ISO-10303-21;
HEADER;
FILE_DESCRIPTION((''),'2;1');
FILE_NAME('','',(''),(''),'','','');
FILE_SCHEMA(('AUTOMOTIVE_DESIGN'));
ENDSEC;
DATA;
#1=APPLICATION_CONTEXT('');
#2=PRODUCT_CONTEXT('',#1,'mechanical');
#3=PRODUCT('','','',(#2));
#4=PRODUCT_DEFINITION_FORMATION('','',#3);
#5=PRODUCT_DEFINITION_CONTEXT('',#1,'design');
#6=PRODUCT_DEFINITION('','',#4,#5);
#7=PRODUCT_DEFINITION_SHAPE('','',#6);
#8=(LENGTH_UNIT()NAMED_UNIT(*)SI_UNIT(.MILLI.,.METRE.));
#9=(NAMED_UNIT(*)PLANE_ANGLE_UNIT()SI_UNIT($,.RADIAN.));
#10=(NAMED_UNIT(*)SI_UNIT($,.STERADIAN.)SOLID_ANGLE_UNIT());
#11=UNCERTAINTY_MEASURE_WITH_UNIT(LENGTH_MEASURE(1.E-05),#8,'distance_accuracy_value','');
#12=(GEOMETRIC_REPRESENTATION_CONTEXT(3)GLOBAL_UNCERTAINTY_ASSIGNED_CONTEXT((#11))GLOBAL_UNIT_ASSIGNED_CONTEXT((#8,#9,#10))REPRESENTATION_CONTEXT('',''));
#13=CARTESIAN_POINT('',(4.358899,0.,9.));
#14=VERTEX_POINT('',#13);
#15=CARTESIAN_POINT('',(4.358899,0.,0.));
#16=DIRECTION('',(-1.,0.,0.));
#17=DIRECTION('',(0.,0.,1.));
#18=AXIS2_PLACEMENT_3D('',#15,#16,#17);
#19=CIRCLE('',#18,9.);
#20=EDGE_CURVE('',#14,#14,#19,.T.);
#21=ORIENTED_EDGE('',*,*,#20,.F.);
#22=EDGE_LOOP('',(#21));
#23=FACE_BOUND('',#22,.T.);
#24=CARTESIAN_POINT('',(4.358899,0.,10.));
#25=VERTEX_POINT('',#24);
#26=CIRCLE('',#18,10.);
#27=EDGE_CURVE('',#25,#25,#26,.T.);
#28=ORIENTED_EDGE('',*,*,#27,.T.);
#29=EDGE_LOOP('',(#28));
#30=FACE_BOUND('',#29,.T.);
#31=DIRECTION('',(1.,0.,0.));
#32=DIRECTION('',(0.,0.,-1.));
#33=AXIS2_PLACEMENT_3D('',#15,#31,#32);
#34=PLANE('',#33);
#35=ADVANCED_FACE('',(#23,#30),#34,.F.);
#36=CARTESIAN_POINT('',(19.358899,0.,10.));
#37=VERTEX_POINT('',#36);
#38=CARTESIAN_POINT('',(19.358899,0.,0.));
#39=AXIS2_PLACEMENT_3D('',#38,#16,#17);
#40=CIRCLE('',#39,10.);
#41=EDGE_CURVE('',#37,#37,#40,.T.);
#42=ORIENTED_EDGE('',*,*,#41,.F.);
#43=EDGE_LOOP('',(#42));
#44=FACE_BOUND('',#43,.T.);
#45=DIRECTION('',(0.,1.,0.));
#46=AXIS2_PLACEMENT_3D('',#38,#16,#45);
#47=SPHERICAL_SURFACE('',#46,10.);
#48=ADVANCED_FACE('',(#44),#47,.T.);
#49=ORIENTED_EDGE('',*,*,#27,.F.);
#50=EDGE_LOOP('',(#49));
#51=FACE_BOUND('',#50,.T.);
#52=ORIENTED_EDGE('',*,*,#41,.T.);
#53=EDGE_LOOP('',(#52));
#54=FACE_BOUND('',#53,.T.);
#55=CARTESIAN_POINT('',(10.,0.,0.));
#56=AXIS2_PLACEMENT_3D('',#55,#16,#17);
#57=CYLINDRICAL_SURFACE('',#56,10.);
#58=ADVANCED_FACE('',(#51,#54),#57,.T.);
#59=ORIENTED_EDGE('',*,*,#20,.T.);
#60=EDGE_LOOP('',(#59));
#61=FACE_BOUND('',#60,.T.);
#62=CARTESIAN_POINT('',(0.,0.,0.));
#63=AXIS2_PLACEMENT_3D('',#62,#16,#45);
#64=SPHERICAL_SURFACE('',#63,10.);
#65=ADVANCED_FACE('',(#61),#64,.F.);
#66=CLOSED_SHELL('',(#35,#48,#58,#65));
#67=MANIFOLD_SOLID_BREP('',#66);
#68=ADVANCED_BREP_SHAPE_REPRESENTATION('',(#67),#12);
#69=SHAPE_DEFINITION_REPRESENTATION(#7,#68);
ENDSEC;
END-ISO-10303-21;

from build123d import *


with BuildPart() as part:
    # Эскиз1 → Повернуть1 (revolve)
    with BuildSketch(Plane.XY):
        with BuildLine():
            Line((12.5, 0), (26.858898944, 0))
            ThreePointArc((26.858898944, 0), (24.662199802, 5.303300859), (19.358898944, 7.5))
            Line((19.358898944, 7.5), (10, 7.5))
            ThreePointArc((10, 7.5), (11.858541226, 3.952847075), (12.5, 0))
        make_face()
        with BuildLine():
            Line((19.358898944, 10), (4.358898944, 10))
            Line((4.358898944, 10), (4.358898944, 9))
            ThreePointArc((4.358898944, 9), (8.473163206, 5.310885546), (10, 0))
            Line((10, 0), (12.5, 0))
            ThreePointArc((12.5, 0), (11.858541226, 3.952847075), (10, 7.5))
            Line((10, 7.5), (19.358898944, 7.5))
            ThreePointArc((19.358898944, 7.5), (24.662199802, 5.303300859), (26.858898944, 0))
            Line((26.858898944, 0), (29.358898944, 0))
            ThreePointArc((29.358898944, 0), (26.429966755, 7.071067812), (19.358898944, 10))
        make_face()
    revolve(axis=Axis((10, 0, 0), (1, 0, 0)))


solid = part.part
